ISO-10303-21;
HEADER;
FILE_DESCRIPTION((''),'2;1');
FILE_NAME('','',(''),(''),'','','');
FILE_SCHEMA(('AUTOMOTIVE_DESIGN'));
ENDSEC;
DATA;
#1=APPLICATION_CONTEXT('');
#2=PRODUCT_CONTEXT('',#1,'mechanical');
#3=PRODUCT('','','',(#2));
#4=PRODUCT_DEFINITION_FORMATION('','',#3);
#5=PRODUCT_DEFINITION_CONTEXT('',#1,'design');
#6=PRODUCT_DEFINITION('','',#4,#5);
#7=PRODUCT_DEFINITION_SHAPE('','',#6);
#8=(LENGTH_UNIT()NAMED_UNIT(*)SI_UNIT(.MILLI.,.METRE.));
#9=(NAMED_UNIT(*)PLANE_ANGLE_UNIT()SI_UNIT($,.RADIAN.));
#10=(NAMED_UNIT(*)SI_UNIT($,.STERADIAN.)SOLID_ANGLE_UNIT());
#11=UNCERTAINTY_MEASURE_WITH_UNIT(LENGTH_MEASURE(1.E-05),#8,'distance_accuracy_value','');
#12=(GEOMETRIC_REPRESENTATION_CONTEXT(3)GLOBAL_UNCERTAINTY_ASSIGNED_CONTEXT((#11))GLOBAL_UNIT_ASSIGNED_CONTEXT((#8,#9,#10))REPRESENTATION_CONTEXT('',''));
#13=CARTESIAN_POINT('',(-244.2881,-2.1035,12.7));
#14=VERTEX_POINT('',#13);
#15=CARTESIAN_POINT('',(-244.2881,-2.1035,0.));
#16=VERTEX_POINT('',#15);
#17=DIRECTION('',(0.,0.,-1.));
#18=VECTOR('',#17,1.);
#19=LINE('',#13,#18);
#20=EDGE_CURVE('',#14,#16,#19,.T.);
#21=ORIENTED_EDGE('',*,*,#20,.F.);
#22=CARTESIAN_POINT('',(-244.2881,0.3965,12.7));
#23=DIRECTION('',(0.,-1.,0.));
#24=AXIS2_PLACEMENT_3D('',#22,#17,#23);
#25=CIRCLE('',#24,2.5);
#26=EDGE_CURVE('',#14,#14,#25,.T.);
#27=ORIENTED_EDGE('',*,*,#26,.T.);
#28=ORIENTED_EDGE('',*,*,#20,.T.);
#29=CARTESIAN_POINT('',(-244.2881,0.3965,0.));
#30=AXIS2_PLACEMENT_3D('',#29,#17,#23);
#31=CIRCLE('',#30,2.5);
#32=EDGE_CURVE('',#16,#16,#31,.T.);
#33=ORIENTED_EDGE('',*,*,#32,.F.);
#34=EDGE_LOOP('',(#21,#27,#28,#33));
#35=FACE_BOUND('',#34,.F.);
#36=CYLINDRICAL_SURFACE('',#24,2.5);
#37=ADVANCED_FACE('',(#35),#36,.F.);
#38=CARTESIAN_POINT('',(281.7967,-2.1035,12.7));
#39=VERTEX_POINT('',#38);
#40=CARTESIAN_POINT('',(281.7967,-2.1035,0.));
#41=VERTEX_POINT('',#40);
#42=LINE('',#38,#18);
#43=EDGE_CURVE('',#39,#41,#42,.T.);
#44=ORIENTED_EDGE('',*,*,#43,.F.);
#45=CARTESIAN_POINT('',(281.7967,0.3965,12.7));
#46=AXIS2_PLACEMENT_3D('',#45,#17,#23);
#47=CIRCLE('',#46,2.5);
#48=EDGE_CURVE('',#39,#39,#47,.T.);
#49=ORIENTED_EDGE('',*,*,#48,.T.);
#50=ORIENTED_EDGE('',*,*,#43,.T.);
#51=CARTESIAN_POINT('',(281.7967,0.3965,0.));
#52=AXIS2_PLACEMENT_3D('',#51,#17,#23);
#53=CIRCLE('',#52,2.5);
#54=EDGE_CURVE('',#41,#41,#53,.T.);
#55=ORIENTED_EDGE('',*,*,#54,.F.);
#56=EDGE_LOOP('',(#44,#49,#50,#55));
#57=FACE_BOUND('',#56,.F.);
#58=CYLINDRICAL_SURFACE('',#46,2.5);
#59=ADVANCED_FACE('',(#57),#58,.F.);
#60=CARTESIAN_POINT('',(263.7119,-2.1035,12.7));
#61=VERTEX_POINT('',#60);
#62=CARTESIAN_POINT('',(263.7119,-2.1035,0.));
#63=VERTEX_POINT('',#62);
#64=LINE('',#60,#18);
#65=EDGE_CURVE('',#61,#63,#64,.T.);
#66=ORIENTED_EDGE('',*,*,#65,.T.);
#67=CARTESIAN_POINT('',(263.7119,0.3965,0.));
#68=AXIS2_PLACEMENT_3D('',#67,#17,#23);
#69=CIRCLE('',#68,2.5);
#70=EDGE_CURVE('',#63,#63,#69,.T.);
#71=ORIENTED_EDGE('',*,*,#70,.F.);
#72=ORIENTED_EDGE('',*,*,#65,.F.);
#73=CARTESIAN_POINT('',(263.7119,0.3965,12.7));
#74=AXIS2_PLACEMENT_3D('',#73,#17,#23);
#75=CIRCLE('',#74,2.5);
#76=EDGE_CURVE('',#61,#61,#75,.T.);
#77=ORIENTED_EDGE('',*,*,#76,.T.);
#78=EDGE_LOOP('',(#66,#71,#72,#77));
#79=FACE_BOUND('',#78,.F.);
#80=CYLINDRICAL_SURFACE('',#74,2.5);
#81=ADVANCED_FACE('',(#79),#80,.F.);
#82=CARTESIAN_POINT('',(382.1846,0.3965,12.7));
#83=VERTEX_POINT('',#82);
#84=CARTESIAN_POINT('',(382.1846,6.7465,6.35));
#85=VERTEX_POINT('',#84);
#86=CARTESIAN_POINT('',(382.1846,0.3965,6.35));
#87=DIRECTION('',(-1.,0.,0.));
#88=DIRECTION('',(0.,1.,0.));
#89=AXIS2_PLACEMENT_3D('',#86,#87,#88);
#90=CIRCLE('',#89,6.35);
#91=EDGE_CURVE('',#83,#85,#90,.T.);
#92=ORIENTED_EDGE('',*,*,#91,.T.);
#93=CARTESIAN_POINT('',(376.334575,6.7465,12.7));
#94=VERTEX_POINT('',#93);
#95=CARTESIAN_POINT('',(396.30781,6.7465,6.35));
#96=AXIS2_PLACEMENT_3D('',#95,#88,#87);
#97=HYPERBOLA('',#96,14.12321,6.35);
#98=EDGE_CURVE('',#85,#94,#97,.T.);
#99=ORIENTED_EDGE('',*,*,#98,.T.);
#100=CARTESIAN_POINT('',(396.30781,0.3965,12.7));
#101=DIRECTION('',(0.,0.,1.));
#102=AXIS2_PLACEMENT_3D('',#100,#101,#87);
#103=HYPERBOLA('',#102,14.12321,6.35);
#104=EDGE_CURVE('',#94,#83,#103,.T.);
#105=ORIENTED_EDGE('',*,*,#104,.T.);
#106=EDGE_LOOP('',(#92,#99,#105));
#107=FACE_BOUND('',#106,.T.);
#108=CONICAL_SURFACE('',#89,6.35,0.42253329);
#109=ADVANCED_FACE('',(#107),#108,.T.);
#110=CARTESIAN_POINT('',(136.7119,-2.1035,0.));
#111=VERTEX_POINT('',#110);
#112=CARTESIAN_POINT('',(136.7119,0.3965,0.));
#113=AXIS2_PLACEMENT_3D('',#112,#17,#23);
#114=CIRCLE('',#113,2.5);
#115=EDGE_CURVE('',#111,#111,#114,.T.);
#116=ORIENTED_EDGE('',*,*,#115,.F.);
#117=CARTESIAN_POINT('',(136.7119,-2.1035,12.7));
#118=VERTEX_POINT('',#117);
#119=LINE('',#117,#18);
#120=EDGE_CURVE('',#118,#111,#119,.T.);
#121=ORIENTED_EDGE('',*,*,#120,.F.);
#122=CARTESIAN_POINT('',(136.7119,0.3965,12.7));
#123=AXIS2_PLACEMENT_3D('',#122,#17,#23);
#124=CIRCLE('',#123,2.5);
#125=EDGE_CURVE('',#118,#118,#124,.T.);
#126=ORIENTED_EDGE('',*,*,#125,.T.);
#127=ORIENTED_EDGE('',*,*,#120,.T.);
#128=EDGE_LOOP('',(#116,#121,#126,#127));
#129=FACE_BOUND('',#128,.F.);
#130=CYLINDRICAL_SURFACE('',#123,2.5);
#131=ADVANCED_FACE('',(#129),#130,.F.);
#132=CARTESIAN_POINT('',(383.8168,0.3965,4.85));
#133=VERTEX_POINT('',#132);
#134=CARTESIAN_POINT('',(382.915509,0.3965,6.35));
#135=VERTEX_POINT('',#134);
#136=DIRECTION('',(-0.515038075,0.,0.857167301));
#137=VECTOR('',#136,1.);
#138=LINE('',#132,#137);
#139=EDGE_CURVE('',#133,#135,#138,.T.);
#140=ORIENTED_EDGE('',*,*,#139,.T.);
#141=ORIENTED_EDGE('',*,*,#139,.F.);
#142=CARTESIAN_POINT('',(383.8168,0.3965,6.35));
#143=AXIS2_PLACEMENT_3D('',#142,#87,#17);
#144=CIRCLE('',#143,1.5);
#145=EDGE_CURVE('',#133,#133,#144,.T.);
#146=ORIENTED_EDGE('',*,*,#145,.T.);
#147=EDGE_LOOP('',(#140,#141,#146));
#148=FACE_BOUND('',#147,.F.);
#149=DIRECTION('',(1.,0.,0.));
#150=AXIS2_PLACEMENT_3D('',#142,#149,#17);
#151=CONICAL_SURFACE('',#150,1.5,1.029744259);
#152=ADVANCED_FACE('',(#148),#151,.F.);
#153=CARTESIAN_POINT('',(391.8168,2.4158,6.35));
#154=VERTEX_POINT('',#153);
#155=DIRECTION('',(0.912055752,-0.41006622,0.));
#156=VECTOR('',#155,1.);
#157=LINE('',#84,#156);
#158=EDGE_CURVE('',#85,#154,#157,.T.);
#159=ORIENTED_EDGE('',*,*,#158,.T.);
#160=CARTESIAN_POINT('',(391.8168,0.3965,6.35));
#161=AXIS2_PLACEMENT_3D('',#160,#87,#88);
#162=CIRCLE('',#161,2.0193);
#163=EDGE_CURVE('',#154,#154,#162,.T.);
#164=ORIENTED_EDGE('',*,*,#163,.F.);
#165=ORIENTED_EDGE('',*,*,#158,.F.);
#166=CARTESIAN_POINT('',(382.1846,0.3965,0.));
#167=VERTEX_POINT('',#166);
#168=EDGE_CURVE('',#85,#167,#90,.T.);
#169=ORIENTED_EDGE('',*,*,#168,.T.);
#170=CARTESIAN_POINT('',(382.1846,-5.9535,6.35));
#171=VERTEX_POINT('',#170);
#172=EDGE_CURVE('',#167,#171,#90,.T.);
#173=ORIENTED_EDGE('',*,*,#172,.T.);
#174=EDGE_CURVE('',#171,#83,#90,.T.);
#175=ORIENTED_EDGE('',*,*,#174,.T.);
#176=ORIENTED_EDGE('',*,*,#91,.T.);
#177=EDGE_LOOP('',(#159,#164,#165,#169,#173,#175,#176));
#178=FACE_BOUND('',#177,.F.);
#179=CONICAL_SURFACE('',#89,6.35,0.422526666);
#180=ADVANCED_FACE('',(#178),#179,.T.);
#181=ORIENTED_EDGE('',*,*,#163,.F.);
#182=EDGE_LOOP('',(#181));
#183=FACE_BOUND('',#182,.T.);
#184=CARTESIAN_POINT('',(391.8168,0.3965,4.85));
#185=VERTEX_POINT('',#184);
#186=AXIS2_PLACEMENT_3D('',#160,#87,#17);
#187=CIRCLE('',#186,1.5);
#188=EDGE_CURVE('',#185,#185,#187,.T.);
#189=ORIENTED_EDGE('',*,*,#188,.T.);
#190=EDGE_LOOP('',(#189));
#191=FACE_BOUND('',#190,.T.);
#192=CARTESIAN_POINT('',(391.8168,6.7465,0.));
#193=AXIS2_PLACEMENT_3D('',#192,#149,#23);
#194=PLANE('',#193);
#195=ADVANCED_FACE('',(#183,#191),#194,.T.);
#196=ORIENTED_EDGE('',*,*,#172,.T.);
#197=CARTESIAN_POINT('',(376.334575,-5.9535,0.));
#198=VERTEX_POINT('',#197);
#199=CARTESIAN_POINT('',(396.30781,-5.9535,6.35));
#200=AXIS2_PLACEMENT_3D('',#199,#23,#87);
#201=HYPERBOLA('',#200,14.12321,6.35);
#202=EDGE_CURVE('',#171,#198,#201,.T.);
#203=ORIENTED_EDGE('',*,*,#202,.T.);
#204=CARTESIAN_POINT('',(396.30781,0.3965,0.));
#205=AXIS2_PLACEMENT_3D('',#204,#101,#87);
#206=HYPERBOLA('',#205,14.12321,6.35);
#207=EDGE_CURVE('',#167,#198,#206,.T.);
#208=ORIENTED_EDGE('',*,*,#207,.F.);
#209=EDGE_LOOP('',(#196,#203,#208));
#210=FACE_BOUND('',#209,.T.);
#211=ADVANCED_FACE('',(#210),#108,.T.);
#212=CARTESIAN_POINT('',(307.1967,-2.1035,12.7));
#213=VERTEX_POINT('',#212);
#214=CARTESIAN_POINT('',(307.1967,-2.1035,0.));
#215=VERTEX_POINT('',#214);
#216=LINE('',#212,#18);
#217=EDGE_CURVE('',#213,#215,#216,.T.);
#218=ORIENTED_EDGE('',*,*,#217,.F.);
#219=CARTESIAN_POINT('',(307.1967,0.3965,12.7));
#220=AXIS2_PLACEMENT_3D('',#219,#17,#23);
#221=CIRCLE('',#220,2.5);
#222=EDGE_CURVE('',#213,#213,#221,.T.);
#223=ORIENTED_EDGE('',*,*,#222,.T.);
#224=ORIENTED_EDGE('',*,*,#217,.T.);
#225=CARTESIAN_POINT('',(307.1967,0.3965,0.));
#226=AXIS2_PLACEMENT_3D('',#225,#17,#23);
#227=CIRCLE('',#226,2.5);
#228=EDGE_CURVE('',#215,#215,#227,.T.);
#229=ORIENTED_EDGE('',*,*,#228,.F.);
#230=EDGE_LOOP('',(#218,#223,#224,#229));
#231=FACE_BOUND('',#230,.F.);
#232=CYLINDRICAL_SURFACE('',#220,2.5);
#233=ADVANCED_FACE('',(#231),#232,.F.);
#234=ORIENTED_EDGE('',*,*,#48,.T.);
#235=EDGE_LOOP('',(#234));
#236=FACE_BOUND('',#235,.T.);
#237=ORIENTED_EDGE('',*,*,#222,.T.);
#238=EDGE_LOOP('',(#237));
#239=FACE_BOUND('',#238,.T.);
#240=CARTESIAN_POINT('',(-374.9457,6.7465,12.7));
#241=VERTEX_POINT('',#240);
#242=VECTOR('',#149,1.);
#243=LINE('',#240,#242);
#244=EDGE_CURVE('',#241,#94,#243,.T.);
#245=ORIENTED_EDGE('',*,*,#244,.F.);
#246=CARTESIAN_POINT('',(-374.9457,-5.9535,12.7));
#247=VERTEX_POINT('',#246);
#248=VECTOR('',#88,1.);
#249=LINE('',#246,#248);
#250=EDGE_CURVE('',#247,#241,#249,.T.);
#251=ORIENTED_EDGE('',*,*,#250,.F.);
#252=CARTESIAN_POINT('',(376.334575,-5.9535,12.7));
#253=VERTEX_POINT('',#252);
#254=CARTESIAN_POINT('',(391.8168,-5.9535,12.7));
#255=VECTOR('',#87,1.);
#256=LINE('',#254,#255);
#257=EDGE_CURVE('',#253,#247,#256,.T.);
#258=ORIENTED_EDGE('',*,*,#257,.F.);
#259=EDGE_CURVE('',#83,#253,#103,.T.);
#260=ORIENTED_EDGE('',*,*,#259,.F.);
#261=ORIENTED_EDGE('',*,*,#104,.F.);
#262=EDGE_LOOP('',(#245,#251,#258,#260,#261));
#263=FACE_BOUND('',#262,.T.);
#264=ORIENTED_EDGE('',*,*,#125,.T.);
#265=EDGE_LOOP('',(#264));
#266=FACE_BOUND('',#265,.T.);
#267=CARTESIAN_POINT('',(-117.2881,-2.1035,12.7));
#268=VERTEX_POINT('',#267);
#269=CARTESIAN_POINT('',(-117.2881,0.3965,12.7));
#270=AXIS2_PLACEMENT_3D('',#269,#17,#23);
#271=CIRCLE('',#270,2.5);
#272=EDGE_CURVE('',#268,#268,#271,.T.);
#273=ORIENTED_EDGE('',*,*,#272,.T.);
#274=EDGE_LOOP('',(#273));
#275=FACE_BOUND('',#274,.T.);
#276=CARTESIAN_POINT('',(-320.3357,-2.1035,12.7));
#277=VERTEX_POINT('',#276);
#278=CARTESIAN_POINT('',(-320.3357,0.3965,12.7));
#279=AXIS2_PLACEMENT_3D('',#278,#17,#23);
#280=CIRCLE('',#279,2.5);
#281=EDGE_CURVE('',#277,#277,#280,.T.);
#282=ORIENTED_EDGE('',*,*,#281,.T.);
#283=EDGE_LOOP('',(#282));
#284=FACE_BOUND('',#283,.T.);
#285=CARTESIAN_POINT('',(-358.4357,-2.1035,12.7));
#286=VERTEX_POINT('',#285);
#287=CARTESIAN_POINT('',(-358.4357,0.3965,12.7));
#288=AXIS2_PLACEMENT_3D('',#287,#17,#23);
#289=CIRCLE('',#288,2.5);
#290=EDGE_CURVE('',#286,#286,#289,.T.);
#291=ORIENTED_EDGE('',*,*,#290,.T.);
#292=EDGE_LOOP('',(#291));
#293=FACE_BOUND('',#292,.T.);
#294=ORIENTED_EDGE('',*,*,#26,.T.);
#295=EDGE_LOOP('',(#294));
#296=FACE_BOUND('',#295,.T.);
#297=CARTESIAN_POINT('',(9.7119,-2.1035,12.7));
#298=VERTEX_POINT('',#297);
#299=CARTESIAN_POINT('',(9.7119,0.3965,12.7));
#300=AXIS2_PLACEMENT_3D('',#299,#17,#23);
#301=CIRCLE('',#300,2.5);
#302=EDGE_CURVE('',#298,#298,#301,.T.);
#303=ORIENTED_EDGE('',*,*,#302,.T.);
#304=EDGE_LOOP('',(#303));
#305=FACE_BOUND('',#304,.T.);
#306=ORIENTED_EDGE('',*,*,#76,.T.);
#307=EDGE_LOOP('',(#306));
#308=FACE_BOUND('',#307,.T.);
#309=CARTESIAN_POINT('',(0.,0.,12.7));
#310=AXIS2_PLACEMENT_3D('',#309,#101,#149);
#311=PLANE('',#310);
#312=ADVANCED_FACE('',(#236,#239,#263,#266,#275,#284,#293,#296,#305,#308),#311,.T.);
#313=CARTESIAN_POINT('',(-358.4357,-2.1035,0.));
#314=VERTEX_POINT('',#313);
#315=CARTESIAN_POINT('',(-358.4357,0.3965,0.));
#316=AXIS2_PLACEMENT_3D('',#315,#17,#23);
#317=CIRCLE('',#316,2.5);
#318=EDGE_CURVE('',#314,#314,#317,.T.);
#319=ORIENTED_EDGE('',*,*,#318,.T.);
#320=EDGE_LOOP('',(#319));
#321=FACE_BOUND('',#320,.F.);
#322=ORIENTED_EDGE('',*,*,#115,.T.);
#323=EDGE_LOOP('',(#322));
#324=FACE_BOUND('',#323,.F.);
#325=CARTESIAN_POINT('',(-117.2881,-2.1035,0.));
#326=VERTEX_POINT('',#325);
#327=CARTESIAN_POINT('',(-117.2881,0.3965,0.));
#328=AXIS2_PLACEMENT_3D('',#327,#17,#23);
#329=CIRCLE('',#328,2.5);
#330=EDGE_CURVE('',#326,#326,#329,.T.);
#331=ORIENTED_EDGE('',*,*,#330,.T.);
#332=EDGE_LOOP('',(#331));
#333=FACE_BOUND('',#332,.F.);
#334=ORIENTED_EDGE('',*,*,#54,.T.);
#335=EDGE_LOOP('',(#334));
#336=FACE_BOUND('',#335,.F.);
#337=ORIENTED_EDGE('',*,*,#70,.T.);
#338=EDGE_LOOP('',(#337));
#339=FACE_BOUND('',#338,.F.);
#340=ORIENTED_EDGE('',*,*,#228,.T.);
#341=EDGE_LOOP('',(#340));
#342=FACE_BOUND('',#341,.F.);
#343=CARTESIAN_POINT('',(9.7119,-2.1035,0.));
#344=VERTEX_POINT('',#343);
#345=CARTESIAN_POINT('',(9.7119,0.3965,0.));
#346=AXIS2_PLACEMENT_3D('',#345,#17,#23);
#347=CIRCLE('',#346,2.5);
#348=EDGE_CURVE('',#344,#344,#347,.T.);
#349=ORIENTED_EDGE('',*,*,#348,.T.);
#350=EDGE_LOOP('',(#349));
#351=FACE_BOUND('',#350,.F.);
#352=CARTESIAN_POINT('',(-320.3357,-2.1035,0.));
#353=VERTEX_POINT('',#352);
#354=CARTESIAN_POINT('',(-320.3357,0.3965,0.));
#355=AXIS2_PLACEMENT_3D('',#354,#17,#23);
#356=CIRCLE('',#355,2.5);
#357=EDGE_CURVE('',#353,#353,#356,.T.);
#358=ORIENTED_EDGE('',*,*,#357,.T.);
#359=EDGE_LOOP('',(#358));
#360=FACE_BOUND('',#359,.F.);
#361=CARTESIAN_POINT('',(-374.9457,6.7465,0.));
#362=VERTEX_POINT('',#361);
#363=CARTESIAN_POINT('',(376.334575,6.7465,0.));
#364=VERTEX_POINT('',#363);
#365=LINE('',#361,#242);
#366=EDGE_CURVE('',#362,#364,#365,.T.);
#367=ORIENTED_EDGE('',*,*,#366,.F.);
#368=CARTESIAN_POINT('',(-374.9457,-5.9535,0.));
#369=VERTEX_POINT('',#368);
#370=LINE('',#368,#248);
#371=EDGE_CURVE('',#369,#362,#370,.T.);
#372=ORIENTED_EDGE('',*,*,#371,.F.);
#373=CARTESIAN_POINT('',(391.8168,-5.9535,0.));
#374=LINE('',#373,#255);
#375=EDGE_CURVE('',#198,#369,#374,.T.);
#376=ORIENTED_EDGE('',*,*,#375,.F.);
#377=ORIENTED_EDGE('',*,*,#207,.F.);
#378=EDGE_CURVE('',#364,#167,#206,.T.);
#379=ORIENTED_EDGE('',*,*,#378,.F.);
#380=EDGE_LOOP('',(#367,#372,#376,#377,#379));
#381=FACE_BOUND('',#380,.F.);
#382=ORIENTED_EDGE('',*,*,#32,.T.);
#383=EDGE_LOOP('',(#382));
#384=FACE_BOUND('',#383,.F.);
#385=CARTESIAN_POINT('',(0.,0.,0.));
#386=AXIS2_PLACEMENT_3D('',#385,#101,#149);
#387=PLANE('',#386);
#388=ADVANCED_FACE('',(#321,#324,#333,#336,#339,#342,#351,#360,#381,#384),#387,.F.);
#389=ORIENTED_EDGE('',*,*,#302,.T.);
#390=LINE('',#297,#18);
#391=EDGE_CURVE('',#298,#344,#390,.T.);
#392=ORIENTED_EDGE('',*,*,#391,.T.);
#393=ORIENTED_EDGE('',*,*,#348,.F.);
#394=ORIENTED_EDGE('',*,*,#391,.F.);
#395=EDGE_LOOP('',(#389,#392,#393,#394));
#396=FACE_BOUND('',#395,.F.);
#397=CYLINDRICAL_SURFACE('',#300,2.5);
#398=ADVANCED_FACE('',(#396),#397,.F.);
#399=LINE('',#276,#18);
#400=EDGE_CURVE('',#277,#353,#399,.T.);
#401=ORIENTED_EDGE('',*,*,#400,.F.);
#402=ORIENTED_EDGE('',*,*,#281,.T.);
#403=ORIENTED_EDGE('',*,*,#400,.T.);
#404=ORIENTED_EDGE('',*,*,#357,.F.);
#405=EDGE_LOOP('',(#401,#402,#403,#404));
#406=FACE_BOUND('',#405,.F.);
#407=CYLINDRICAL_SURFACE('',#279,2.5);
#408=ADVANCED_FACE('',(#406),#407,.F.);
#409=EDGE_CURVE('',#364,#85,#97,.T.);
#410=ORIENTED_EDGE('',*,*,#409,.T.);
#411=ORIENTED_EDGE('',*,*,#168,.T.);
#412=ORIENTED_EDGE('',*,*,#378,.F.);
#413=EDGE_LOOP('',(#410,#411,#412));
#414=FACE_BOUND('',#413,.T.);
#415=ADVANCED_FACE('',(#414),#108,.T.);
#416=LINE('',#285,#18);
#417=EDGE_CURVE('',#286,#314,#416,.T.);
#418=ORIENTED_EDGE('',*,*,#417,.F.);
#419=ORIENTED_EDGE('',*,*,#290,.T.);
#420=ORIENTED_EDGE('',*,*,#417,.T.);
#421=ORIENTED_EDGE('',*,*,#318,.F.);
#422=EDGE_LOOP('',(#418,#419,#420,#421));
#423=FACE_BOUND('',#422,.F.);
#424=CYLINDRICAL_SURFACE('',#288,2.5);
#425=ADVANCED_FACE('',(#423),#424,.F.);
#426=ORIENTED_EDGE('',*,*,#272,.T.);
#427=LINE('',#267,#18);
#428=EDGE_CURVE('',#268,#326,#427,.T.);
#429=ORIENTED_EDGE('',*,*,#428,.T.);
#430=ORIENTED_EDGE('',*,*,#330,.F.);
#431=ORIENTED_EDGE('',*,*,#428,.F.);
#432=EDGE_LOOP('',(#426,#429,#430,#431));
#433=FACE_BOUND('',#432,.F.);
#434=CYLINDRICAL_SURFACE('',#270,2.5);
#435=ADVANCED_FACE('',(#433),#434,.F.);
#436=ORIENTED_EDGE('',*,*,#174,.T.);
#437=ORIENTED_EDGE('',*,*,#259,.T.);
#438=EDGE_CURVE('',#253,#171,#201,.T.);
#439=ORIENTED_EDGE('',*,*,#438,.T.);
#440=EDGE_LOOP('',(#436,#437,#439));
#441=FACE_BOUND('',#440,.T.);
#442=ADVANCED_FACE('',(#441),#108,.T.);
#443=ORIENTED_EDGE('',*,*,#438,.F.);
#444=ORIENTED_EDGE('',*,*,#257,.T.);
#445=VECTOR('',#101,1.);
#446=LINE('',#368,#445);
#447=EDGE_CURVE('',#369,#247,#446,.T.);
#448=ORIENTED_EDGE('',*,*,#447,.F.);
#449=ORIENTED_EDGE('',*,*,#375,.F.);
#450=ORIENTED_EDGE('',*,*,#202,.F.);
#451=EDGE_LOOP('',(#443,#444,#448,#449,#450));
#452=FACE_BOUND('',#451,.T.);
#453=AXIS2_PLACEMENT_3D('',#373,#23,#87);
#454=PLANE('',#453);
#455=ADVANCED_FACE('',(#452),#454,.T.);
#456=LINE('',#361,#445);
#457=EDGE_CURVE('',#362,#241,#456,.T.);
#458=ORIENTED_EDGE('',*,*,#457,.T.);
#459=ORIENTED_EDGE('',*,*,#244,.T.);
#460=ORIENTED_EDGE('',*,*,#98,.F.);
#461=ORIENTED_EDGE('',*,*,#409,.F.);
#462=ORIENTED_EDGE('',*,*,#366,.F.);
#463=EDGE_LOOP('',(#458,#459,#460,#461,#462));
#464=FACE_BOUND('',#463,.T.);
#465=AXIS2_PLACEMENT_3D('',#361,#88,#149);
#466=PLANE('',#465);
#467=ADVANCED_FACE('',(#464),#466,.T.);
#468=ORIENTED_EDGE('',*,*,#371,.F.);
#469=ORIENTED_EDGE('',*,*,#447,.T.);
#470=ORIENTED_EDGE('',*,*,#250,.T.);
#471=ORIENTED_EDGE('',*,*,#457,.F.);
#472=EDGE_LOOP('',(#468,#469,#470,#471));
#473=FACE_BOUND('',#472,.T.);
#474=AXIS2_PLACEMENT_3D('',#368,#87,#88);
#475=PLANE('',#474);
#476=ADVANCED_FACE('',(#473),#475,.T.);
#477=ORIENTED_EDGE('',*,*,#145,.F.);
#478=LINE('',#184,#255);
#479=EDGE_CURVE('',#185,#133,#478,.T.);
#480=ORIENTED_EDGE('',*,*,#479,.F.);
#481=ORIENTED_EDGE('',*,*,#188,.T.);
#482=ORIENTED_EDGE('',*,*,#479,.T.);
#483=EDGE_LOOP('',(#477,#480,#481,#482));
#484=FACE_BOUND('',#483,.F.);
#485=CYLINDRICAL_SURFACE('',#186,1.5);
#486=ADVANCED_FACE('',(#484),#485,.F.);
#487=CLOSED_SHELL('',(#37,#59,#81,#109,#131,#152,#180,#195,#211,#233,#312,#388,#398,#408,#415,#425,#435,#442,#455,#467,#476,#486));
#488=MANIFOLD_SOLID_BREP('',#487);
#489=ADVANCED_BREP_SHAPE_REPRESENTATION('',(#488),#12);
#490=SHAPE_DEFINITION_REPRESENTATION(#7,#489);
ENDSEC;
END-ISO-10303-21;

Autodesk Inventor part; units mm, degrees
ref_plane "YZ Plane" through (0, 0, 0) normal (1, 0, 0) x (0, 1, 0)
ref_plane "XZ Plane" through (0, 0, 0) normal (0, 1, 0) x (-1, 0, 0)
sketch "Sketch1" plane through (0, 0, 0) normal (0, 0, 1) x (1, 0, 0)
  line L0 (-374.9457, 6.7465) -> (391.8168, 6.7465)
  line L1 (391.8168, 6.7465) -> (391.8168, -5.9535)
  line L2 (391.8168, -5.9535) -> (-374.9457, -5.9535)
  line L3 (-374.9457, -5.9535) -> (-374.9457, 6.7465)
  dimension "d0" = 766.7625
  dimension "d1" = 12.7
extrude "Extrusion1" add sketch "Sketch1" along normal blind 12.7
hole "Hole3" at (-358.4357, 0.3965, 12.7) direction (0, 0, -1) diameter 5 end through all
hole "Hole4" at (-320.3357, 0.3965, 12.7) direction (0, 0, -1) diameter 5 end through all
hole "Hole5" at (-244.2881, 0.3965, 12.7) direction (0, 0, -1) diameter 5 end through all
hole "Hole6" at (-117.2881, 0.3965, 12.7) direction (0, 0, -1) diameter 5 end through all
hole "Hole7" at (9.7119, 0.3965, 12.7) direction (0, 0, -1) diameter 5 end through all
hole "Hole8" at (136.7119, 0.3965, 12.7) direction (0, 0, -1) diameter 5 end through all
hole "Hole9" at (263.7119, 0.3965, 12.7) direction (0, 0, -1) diameter 5 end through all
hole "Hole10" at (281.7967, 0.3965, 12.7) direction (0, 0, -1) diameter 5 end through all
hole "Hole11" at (307.1967, 0.3965, 12.7) direction (0, 0, -1) diameter 5 end through all
hole "Hole12" at (391.8168, 0.3965, 6.35) direction (-1, 0, 0) diameter 3 depth 8 tip angle 118
ref_plane "Work Plane1" through (387.8168, 0.3965, 6.35) normal (0, 0, 1) x (1, 0, 0)
sketch "Sketch4" plane through (387.8168, 0.3965, 6.35) normal (0, 0, 1) x (1, 0, 0)
  line L0 (4, 6.35) -> (4, -6.35) projected
  line L1 (4, 0) -> (-4.9613, 0)
  line L2 (-839.4388, 0) -> (234.0288, 0) projected
  line L3 (4, 2.0193) -> (4, 6.35)
  line L4 (-5.6322, 6.35) -> (4, 2.0193)
  line L5 (-5.6322, 9.0208) -> (4, 9.0208)
  line L6 (4, 9.0208) -> (4, 6.0715)
  line L7 (-5.6322, 6.35) -> (-11.5724, 9.0208)
  line L8 (-5.9043, 9.0208) -> (-11.5724, 9.0208)
  line L9 (-5.6322, 9.0208) -> (-5.9043, 9.0208)
revolve "Revolution2" cut sketch "Sketch4" angle 360 about axis through (391.8168, 0.3965, 6.35) along (-1, 0, 0)
properties part number "Long rod"
